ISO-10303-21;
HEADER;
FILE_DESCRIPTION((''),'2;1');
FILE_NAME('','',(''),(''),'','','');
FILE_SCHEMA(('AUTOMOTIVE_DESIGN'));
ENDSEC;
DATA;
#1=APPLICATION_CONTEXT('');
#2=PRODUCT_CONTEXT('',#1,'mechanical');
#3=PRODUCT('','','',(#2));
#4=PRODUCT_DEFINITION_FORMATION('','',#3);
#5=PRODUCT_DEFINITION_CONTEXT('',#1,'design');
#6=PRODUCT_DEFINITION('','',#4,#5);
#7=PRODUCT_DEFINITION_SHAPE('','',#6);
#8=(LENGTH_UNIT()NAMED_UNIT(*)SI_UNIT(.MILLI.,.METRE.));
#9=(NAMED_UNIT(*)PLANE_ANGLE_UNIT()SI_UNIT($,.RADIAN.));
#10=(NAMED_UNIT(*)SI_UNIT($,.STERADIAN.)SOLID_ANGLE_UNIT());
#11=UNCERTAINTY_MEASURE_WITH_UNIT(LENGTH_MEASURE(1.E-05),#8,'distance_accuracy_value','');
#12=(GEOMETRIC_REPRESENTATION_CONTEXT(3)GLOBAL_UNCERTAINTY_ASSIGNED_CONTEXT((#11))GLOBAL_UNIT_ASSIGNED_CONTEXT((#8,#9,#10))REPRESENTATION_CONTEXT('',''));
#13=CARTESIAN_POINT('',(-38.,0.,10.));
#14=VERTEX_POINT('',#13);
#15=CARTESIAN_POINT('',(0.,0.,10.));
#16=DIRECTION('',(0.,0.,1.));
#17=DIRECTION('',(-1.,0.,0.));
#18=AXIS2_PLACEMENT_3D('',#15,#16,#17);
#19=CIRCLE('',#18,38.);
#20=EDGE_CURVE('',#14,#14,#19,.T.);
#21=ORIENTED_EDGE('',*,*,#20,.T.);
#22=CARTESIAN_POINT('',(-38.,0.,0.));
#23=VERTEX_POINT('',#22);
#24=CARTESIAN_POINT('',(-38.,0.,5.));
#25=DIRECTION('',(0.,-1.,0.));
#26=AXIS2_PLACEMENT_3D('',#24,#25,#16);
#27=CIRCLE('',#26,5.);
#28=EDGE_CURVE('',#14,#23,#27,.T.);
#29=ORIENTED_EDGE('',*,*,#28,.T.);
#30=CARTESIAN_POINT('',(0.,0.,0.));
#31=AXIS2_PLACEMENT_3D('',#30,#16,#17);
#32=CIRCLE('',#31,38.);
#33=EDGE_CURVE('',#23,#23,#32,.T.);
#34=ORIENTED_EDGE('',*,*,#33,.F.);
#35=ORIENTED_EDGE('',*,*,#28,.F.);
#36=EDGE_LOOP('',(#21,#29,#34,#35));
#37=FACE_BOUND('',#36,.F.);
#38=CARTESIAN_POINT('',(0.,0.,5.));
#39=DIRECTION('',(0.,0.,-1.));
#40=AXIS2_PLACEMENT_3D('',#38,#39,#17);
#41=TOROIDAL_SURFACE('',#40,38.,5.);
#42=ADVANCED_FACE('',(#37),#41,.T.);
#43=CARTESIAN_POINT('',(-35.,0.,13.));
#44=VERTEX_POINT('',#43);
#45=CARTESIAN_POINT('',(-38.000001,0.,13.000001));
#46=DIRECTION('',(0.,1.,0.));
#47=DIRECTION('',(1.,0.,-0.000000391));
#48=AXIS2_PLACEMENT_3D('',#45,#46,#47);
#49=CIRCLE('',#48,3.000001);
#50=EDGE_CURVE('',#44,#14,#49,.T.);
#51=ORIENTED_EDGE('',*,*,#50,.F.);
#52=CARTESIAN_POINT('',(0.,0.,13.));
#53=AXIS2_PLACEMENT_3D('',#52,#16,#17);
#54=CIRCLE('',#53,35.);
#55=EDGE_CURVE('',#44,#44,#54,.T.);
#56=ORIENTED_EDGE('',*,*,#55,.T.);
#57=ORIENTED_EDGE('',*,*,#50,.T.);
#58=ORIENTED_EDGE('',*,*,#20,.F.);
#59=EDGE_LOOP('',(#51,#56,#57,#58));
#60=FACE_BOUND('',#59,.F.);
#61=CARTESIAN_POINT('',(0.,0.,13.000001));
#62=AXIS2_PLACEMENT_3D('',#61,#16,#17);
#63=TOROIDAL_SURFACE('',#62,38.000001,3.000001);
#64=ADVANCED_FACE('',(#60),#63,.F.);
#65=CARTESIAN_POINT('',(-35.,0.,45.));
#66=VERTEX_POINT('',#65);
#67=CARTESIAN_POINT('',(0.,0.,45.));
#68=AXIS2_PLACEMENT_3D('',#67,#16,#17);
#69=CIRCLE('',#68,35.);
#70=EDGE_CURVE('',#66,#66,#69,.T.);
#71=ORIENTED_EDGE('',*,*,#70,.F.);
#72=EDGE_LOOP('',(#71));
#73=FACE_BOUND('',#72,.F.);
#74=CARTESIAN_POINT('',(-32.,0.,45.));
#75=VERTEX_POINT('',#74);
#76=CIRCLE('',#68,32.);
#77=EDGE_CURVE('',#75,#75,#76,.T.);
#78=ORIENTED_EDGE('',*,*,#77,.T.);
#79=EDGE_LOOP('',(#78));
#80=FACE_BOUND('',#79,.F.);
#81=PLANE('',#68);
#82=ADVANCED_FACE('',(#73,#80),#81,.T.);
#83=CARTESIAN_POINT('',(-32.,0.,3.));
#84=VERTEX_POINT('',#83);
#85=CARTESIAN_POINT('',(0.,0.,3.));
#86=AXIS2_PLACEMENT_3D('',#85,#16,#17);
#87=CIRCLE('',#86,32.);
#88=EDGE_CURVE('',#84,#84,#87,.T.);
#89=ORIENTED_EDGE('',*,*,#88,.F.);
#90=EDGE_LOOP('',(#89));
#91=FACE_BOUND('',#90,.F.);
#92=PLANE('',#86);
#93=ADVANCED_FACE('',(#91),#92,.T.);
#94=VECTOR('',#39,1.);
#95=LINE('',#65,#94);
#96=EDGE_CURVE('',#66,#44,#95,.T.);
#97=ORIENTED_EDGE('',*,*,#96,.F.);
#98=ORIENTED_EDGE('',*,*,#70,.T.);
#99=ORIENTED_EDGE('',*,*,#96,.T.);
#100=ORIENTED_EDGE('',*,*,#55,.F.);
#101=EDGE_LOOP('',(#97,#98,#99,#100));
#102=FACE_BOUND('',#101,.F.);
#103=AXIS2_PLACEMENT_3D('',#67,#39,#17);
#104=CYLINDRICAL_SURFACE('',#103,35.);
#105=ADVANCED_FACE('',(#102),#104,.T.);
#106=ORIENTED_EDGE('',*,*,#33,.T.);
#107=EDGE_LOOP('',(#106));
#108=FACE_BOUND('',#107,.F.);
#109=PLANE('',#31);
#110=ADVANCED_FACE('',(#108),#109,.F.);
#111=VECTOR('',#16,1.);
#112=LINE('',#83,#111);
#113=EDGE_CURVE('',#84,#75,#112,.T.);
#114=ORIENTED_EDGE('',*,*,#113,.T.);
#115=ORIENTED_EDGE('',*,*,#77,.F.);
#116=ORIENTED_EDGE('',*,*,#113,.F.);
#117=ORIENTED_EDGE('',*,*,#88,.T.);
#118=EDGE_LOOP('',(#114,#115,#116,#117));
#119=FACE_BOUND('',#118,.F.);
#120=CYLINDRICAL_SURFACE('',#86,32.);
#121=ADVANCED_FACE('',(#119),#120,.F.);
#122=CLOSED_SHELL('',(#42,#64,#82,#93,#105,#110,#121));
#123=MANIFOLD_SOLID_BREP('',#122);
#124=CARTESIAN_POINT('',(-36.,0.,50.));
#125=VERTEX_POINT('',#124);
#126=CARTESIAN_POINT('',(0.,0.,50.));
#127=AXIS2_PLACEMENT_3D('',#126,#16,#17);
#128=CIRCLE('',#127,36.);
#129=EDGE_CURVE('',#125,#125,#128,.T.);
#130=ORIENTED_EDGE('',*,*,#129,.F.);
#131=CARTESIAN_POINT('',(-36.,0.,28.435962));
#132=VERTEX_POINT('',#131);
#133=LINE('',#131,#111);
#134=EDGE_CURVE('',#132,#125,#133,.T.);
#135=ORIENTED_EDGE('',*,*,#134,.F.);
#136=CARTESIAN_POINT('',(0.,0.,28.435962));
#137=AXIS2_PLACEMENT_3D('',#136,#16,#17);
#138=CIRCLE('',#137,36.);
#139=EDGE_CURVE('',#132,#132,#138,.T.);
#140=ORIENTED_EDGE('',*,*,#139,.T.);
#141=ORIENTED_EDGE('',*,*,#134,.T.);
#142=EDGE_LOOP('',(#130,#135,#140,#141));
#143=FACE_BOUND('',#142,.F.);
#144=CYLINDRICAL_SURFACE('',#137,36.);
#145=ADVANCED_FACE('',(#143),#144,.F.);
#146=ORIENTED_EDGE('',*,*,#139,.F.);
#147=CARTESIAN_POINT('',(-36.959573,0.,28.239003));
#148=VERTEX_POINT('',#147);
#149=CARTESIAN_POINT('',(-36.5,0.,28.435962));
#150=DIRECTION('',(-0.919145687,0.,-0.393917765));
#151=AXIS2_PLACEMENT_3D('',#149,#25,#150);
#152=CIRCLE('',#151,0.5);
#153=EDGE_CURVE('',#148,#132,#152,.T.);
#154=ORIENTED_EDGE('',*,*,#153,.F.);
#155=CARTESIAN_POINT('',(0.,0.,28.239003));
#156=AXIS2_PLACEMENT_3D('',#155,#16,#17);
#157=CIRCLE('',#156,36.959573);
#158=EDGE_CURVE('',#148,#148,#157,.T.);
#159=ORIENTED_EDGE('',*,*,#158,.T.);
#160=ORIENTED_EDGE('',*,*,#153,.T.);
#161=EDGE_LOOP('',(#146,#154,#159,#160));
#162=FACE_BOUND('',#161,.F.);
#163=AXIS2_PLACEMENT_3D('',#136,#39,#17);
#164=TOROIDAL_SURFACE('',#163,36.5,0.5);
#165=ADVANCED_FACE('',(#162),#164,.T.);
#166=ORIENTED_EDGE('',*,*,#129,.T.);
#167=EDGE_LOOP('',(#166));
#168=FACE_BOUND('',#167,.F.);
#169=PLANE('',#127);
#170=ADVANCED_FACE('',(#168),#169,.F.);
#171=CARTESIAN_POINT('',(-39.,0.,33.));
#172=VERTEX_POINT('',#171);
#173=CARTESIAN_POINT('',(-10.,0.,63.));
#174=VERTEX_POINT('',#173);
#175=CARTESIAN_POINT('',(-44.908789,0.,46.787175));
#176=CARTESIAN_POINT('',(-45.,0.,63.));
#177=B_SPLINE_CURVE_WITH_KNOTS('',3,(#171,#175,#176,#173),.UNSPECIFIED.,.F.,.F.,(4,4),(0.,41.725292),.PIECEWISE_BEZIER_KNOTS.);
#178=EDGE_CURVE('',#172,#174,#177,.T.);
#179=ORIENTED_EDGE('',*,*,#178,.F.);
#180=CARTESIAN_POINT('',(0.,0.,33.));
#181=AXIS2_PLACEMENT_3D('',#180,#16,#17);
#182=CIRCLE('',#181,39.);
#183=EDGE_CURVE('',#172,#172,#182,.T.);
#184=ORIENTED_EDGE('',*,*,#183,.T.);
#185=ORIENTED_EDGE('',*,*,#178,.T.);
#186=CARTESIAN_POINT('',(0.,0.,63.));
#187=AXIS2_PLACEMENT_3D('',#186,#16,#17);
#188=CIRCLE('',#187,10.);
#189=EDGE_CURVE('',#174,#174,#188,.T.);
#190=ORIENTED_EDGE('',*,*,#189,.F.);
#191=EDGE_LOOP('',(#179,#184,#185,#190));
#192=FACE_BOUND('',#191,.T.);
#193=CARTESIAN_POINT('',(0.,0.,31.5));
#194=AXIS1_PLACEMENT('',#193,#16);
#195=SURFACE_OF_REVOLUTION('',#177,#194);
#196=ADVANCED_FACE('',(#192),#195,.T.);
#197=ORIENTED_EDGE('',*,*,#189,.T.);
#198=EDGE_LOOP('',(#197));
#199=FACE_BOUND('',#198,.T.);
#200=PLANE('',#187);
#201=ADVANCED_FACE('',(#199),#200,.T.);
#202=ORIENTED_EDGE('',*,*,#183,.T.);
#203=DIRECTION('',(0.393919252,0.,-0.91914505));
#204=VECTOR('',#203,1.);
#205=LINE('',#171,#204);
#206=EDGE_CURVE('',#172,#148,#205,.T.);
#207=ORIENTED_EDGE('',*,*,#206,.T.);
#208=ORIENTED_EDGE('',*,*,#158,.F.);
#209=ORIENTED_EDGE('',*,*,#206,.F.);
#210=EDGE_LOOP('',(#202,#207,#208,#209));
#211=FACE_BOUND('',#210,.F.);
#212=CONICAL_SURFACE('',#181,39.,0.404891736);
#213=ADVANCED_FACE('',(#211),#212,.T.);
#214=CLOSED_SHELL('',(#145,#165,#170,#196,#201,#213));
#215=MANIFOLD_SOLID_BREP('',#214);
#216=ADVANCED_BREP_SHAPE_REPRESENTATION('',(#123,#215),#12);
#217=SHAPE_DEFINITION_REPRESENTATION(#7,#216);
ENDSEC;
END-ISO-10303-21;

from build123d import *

# Parameters (mm, degrees)
F0_W = 10
F0_H = 10


with BuildPart() as f1:
    # F0 (on Front) → F1 (revolve)
    with BuildSketch(Plane.XZ):
        with BuildLine():
            Line((-36, 28.435962), (-36, 50))
            Line((-36, 50), (0, 50))
            Line((0, 50), (0, 53))
            Line((0, 53), (-10, 53))
            Line((-10, 53), (-39, 53))
            Line((-39, 53), (-39, 33))
            Line((-39, 33), (-36.959573, 28.239003))
            ThreePointArc((-36.959573, 28.239003), (-36.399467, 27.946173), (-36, 28.435962))
        make_face()
        with BuildLine():
            Line((-39, 53), (-10, 53))
            Line((-10, 53), (-10, 63))
            add(Edge.make_bspline(
                [(-39, 33), (-44.908789, 46.787175), (-45, 63), (-10, 63)],
                knots=[0, 0, 0, 0, 41.725292, 41.725292, 41.725292, 41.725292], degree=3))
            Line((-39, 33), (-39, 53))
        make_face()
        with Locations((-5, 58)):
            Rectangle(F0_W, F0_H)
    revolve(axis=Axis((0, 0, 31.5), (0, 0, 1)))


with BuildPart() as f2:
    # F0 (on Front) → F2 (revolve)
    with BuildSketch(Plane.XZ):
        with BuildLine():
            Line((-32, 45), (-35, 45))
            Line((-35, 45), (-35, 13))
            ThreePointArc((-35, 13), (-35.87868, 10.87868), (-38, 10))
            ThreePointArc((-38, 10), (-43, 5), (-38, 0))
            Line((-38, 0), (0, 0))
            Line((0, 0), (0, 3))
            Line((0, 3), (-32, 3))
            Line((-32, 3), (-32, 45))
        make_face()
    revolve(axis=Axis((0, 0, 31.5), (0, 0, 1)))


solid = Compound([f1.part, f2.part])
